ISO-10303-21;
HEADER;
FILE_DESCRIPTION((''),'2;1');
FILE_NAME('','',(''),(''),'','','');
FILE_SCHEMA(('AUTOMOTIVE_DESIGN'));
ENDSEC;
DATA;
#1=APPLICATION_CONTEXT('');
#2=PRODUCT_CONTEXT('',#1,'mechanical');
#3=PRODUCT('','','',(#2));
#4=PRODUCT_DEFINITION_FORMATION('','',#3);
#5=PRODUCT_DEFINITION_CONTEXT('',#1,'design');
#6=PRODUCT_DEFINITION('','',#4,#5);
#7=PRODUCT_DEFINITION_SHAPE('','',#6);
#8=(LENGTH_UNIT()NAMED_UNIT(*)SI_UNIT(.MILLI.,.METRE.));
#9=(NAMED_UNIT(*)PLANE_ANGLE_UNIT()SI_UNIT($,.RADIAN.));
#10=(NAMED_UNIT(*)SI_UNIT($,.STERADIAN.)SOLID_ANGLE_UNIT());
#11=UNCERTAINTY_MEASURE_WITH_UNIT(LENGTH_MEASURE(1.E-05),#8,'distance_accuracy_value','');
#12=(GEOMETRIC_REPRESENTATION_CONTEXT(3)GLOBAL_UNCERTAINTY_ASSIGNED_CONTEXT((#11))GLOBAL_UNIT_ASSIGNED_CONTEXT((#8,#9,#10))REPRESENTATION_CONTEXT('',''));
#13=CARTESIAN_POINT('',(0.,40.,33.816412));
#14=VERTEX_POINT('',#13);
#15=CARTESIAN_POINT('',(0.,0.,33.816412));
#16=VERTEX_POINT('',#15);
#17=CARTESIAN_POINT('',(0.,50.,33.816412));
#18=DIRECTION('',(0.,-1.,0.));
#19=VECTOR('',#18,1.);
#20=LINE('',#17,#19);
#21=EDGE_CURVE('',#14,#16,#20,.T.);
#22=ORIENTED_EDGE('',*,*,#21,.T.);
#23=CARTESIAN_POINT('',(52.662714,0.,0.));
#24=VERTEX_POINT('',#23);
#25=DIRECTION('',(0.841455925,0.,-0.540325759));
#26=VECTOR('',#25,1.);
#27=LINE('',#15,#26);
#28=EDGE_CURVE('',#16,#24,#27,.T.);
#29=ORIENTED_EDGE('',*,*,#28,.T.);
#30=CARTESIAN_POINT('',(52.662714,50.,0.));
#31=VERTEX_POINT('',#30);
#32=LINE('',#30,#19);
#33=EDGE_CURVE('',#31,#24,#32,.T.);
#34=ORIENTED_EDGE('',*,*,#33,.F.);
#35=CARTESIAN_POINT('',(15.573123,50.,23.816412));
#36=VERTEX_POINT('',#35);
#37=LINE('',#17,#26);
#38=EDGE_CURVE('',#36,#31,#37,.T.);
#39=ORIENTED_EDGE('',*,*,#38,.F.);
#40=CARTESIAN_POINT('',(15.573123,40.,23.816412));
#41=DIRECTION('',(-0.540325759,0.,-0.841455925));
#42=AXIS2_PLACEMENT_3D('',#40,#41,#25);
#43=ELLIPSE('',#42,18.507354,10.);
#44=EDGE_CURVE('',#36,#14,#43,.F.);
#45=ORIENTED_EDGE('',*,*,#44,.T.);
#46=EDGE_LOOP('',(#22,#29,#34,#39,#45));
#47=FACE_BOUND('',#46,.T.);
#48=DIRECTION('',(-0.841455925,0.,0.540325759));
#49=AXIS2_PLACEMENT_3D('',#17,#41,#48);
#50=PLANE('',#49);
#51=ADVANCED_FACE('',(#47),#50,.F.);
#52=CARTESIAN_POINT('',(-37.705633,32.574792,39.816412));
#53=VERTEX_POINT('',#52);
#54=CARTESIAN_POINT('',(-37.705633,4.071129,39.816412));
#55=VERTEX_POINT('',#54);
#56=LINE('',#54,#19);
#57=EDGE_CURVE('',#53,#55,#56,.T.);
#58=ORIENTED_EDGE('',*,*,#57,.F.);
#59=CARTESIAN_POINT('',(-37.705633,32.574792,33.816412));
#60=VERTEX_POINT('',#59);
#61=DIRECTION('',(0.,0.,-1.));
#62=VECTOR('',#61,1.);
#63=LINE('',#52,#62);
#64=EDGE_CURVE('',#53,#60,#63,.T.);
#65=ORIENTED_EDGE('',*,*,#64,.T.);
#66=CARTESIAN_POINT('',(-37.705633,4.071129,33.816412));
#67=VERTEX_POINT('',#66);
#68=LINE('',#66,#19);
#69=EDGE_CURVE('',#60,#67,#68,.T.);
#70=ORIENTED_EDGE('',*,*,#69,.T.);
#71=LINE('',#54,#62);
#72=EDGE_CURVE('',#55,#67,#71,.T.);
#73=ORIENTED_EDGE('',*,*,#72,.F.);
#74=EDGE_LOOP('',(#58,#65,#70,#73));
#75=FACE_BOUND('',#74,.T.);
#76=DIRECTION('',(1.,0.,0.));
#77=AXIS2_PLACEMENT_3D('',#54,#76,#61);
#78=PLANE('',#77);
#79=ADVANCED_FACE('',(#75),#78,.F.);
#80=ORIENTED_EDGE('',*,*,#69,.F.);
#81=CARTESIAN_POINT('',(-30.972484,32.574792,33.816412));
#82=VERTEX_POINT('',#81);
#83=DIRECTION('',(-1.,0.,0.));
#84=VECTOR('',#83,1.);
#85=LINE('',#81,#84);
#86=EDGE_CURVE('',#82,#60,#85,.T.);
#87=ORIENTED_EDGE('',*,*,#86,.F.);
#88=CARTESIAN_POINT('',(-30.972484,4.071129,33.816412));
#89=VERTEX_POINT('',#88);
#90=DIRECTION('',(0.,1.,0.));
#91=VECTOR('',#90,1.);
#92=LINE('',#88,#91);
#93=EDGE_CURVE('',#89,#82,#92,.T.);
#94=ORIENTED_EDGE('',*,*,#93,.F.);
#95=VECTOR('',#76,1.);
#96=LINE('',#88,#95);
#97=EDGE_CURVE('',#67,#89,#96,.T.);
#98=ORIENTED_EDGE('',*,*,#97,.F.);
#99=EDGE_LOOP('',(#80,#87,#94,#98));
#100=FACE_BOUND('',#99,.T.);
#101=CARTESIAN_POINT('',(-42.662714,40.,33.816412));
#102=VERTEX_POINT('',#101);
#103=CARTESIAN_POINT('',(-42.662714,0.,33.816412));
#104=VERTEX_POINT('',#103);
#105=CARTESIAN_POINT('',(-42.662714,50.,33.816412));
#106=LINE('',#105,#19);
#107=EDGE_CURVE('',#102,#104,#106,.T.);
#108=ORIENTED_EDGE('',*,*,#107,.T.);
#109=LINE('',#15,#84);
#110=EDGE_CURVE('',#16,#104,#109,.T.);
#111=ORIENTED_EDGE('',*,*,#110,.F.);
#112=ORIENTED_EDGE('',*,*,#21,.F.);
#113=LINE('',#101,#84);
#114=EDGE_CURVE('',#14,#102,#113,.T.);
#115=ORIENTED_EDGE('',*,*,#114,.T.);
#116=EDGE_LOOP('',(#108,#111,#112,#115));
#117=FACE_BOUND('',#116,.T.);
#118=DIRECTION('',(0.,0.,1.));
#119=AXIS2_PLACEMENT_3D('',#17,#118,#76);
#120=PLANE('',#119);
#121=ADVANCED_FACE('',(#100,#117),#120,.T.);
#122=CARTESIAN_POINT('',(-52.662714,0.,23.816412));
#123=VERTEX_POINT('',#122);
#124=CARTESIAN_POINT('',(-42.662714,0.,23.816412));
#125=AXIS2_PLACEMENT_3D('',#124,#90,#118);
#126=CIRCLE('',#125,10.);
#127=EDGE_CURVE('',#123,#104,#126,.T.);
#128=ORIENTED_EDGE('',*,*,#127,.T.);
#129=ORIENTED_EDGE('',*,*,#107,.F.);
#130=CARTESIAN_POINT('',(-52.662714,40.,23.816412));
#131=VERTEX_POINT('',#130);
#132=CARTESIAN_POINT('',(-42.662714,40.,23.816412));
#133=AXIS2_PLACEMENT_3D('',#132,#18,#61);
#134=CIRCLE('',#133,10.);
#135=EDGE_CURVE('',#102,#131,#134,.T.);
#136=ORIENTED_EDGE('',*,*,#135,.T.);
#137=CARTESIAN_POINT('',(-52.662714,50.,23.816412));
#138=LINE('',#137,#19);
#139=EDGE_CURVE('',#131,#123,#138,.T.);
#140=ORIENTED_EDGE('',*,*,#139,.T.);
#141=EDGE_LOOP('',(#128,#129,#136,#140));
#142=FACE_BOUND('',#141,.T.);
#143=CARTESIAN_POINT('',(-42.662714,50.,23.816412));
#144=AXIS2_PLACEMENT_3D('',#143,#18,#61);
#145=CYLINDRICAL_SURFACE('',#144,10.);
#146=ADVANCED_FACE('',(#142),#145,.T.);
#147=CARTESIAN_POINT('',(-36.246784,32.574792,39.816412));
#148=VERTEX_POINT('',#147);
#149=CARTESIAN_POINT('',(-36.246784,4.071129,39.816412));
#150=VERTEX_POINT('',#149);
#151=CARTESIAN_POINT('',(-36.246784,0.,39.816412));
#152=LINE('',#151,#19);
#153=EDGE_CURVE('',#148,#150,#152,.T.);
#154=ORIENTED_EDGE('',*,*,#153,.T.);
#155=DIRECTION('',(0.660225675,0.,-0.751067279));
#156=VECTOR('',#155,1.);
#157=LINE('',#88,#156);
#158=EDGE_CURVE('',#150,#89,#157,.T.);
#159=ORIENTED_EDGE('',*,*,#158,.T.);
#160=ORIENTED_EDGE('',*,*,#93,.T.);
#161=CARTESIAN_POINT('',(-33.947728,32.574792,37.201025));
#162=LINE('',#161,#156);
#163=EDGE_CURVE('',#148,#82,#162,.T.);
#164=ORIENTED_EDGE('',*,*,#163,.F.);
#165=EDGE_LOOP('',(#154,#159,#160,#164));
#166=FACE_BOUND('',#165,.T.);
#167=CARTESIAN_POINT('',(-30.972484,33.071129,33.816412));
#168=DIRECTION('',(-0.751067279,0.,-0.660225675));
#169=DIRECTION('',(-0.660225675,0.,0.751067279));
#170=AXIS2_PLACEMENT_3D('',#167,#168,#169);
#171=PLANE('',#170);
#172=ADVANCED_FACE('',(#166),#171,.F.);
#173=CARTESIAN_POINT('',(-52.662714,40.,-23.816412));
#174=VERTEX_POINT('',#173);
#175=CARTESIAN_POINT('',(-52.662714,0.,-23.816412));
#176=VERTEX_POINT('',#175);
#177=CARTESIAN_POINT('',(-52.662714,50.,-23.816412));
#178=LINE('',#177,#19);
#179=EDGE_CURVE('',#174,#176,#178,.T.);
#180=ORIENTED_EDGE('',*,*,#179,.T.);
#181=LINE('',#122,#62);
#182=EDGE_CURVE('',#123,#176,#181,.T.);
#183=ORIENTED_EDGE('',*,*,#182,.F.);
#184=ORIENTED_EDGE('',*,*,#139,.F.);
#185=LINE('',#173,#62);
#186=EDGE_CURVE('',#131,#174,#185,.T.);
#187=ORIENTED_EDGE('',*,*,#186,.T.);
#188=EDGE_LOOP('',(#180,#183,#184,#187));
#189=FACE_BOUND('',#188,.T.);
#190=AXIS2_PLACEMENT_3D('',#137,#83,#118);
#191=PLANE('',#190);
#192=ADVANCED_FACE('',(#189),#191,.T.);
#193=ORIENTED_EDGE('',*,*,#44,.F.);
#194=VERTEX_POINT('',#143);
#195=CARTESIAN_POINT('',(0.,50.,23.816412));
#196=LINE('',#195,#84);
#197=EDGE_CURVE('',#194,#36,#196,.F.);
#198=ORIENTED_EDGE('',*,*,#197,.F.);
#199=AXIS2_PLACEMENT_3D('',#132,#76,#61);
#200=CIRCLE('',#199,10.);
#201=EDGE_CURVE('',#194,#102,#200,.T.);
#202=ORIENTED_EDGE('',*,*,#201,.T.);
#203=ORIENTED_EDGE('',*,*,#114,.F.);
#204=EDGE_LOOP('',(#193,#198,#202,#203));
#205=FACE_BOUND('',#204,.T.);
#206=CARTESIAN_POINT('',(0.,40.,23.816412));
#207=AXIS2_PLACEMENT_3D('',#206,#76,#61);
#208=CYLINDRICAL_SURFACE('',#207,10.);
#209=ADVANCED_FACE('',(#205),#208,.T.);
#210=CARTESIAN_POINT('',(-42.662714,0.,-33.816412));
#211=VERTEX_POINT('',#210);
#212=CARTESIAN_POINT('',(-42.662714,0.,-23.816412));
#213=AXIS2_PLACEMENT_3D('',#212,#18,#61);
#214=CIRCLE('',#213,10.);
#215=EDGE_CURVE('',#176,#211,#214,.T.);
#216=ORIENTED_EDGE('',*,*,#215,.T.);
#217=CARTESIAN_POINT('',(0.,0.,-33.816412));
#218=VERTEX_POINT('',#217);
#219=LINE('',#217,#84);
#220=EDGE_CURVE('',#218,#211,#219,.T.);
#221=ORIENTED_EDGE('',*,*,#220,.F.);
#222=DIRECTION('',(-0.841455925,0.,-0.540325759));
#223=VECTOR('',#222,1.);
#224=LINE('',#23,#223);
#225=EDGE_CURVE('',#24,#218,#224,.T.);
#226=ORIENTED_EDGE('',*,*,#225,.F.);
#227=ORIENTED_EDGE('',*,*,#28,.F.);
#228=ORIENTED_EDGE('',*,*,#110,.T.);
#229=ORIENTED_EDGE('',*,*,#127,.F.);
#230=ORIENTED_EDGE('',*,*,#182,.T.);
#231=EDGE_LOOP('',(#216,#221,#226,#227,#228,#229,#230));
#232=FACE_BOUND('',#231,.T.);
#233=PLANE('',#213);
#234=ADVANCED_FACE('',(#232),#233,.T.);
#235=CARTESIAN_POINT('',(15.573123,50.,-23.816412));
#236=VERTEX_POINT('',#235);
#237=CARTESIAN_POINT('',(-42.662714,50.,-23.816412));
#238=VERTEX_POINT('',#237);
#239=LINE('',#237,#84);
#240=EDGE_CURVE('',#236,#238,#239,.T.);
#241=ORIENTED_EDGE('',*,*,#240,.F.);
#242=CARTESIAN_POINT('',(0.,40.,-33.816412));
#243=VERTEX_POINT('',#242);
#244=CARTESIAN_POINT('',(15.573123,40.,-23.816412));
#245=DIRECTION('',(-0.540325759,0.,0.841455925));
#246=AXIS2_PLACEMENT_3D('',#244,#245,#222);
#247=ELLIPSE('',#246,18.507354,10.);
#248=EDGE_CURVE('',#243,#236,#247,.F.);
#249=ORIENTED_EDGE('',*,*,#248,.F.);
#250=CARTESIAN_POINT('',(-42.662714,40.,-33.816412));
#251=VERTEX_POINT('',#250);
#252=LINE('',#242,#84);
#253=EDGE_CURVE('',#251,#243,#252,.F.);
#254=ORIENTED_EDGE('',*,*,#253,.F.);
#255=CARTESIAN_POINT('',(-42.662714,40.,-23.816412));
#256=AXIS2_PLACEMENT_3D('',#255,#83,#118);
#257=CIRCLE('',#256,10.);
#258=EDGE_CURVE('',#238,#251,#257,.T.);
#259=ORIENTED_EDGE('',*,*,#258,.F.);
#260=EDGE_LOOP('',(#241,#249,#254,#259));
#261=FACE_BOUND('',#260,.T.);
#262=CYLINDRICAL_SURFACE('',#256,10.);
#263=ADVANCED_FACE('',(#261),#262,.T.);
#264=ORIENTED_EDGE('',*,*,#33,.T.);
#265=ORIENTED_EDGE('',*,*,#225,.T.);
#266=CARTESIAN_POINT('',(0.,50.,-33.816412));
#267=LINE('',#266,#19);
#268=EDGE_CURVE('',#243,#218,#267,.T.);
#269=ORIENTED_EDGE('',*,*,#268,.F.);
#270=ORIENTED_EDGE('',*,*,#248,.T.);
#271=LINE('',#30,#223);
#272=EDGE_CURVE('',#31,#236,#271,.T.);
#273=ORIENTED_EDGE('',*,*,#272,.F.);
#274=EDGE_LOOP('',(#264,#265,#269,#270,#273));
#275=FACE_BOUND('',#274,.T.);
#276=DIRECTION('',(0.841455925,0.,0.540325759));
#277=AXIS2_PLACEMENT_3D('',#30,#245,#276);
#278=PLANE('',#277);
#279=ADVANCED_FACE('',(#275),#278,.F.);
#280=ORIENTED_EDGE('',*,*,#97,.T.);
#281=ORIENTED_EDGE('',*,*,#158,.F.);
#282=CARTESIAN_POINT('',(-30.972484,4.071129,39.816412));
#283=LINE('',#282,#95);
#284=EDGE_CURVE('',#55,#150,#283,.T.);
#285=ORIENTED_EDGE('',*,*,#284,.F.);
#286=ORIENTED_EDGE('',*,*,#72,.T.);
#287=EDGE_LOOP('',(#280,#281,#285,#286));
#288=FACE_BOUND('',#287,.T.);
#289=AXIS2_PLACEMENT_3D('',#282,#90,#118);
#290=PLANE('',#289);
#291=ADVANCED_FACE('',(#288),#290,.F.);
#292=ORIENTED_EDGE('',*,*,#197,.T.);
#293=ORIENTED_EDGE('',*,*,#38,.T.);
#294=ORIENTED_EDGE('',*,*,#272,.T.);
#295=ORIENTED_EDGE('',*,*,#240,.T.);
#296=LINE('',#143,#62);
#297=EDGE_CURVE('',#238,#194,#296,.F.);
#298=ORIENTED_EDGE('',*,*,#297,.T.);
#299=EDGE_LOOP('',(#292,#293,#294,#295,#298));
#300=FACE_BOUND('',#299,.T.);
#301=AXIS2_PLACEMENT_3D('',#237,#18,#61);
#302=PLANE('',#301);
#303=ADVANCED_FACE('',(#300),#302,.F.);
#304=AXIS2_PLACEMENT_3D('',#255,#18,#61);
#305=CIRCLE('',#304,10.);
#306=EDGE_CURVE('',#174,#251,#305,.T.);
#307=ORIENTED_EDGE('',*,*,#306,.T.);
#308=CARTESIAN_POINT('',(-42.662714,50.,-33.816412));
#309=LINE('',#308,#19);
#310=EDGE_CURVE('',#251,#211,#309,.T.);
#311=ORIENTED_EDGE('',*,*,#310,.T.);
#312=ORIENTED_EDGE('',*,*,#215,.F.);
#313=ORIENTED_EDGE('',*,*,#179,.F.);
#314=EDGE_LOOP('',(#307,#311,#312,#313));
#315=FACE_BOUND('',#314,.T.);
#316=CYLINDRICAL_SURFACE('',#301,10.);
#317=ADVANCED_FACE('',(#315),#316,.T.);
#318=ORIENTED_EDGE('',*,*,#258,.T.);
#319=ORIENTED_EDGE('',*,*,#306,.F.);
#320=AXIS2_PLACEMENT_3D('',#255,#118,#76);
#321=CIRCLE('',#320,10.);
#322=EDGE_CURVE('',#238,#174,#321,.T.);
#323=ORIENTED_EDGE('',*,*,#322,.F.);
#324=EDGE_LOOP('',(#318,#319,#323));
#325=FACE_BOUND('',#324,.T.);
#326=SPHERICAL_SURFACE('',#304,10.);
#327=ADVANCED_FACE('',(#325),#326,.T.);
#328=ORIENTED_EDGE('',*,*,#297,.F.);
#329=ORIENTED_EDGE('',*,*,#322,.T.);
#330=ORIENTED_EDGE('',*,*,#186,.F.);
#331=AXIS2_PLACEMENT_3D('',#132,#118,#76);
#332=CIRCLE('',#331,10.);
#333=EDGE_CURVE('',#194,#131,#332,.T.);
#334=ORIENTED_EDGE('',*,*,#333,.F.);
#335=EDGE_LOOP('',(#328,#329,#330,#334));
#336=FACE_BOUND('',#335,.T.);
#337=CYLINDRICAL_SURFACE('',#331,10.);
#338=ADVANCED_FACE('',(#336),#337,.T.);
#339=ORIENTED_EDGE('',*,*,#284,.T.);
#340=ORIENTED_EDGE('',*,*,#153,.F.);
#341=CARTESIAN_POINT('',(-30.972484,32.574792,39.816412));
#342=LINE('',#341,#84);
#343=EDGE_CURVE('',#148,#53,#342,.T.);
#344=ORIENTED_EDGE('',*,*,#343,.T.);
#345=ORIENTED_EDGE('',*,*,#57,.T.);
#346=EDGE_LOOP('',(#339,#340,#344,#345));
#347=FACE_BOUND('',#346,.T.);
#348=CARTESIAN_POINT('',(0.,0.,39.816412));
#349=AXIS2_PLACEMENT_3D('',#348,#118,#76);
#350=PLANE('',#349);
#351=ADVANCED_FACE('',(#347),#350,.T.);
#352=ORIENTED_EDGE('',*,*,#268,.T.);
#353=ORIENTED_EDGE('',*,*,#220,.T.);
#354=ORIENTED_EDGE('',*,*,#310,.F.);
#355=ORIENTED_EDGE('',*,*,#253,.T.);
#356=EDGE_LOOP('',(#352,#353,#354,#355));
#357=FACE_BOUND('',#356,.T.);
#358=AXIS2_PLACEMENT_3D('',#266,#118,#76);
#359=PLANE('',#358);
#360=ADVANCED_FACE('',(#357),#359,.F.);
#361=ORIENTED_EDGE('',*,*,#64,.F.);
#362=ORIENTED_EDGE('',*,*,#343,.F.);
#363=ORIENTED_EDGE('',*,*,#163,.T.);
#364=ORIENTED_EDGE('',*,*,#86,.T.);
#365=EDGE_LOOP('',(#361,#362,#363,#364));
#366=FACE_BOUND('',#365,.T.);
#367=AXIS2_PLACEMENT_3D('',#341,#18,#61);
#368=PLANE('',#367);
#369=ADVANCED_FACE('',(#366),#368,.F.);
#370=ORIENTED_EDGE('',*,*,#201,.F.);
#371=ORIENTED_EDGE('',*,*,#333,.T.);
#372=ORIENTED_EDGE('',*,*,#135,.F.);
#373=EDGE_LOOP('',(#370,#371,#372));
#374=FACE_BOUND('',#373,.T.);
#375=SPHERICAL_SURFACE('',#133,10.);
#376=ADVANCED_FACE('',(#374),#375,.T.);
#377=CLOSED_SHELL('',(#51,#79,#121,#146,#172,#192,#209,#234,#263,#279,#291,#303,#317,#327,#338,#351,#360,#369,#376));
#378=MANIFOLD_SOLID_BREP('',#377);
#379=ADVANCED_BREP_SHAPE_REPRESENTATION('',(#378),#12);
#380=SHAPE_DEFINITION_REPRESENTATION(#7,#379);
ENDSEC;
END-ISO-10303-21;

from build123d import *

# Parameters (mm, degrees)
BOSS_EXTRUDE1_DEPTH = 50
FILLET1_R           = 10
SKETCH2_W           = 6.733148768
SKETCH2_H           = 28.503663117
BOSS_EXTRUDE2_DEPTH = 6
CUT_EXTRUDE1_DEPTH  = 29


with BuildPart() as part:
    # Sketch1 → Boss-Extrude1 (new body)
    with BuildSketch(Plane(origin=(0, 0, 0), x_dir=(1, 0, 0), z_dir=(0, 1, 0))):
        with BuildLine():
            Line((0, -33.816412485), (52.662713514, 0))
            Line((52.662713514, 0), (0, 33.816412485))
            Line((0, 33.816412485), (-42.662713514, 33.816412485))
            ThreePointArc((-42.662713514, 33.816412485), (-49.733781326, 30.887480297), (-52.662713514, 23.816412485))
            Line((-52.662713514, 23.816412485), (-52.662713514, -23.816412485))
            ThreePointArc((-52.662713514, -23.816412485), (-49.733781326, -30.887480297), (-42.662713514, -33.816412485))
            Line((-42.662713514, -33.816412485), (0, -33.816412485))
        make_face()
    extrude(amount=BOSS_EXTRUDE1_DEPTH)

    # Fillet1
    fillet1_edges = [part.edges().sort_by_distance(p)[0] for p in [
        (-49.733781326, 50, -30.887480297),
        (-52.662713514, 50, 0),
        (-49.733781326, 50, 30.887480297),
        (-21.331356757, 50, 33.816412485),
        (-21.331356757, 50, -33.816412485),
    ]]
    fillet(fillet1_edges, radius=FILLET1_R)

    # Sketch2 → Boss-Extrude2 (add)
    with BuildSketch(Plane.XY.offset(33.816412485)):
        with Locations((-34.339058715, 18.322960806)):
            Rectangle(SKETCH2_W, SKETCH2_H)
    extrude(amount=BOSS_EXTRUDE2_DEPTH)

    # Sketch3 → Cut-Extrude1 (cut)
    with BuildSketch(Plane(origin=(0, 4.071129247, 0), x_dir=(-1, 0, 0), z_dir=(0, -1, 0))):
        Polygon((30.972484331, -33.816412485), (36.246784199, -39.816412485), (30.972484331, -39.816412485), align=None)
    extrude(amount=-CUT_EXTRUDE1_DEPTH, mode=Mode.SUBTRACT)


solid = part.part
